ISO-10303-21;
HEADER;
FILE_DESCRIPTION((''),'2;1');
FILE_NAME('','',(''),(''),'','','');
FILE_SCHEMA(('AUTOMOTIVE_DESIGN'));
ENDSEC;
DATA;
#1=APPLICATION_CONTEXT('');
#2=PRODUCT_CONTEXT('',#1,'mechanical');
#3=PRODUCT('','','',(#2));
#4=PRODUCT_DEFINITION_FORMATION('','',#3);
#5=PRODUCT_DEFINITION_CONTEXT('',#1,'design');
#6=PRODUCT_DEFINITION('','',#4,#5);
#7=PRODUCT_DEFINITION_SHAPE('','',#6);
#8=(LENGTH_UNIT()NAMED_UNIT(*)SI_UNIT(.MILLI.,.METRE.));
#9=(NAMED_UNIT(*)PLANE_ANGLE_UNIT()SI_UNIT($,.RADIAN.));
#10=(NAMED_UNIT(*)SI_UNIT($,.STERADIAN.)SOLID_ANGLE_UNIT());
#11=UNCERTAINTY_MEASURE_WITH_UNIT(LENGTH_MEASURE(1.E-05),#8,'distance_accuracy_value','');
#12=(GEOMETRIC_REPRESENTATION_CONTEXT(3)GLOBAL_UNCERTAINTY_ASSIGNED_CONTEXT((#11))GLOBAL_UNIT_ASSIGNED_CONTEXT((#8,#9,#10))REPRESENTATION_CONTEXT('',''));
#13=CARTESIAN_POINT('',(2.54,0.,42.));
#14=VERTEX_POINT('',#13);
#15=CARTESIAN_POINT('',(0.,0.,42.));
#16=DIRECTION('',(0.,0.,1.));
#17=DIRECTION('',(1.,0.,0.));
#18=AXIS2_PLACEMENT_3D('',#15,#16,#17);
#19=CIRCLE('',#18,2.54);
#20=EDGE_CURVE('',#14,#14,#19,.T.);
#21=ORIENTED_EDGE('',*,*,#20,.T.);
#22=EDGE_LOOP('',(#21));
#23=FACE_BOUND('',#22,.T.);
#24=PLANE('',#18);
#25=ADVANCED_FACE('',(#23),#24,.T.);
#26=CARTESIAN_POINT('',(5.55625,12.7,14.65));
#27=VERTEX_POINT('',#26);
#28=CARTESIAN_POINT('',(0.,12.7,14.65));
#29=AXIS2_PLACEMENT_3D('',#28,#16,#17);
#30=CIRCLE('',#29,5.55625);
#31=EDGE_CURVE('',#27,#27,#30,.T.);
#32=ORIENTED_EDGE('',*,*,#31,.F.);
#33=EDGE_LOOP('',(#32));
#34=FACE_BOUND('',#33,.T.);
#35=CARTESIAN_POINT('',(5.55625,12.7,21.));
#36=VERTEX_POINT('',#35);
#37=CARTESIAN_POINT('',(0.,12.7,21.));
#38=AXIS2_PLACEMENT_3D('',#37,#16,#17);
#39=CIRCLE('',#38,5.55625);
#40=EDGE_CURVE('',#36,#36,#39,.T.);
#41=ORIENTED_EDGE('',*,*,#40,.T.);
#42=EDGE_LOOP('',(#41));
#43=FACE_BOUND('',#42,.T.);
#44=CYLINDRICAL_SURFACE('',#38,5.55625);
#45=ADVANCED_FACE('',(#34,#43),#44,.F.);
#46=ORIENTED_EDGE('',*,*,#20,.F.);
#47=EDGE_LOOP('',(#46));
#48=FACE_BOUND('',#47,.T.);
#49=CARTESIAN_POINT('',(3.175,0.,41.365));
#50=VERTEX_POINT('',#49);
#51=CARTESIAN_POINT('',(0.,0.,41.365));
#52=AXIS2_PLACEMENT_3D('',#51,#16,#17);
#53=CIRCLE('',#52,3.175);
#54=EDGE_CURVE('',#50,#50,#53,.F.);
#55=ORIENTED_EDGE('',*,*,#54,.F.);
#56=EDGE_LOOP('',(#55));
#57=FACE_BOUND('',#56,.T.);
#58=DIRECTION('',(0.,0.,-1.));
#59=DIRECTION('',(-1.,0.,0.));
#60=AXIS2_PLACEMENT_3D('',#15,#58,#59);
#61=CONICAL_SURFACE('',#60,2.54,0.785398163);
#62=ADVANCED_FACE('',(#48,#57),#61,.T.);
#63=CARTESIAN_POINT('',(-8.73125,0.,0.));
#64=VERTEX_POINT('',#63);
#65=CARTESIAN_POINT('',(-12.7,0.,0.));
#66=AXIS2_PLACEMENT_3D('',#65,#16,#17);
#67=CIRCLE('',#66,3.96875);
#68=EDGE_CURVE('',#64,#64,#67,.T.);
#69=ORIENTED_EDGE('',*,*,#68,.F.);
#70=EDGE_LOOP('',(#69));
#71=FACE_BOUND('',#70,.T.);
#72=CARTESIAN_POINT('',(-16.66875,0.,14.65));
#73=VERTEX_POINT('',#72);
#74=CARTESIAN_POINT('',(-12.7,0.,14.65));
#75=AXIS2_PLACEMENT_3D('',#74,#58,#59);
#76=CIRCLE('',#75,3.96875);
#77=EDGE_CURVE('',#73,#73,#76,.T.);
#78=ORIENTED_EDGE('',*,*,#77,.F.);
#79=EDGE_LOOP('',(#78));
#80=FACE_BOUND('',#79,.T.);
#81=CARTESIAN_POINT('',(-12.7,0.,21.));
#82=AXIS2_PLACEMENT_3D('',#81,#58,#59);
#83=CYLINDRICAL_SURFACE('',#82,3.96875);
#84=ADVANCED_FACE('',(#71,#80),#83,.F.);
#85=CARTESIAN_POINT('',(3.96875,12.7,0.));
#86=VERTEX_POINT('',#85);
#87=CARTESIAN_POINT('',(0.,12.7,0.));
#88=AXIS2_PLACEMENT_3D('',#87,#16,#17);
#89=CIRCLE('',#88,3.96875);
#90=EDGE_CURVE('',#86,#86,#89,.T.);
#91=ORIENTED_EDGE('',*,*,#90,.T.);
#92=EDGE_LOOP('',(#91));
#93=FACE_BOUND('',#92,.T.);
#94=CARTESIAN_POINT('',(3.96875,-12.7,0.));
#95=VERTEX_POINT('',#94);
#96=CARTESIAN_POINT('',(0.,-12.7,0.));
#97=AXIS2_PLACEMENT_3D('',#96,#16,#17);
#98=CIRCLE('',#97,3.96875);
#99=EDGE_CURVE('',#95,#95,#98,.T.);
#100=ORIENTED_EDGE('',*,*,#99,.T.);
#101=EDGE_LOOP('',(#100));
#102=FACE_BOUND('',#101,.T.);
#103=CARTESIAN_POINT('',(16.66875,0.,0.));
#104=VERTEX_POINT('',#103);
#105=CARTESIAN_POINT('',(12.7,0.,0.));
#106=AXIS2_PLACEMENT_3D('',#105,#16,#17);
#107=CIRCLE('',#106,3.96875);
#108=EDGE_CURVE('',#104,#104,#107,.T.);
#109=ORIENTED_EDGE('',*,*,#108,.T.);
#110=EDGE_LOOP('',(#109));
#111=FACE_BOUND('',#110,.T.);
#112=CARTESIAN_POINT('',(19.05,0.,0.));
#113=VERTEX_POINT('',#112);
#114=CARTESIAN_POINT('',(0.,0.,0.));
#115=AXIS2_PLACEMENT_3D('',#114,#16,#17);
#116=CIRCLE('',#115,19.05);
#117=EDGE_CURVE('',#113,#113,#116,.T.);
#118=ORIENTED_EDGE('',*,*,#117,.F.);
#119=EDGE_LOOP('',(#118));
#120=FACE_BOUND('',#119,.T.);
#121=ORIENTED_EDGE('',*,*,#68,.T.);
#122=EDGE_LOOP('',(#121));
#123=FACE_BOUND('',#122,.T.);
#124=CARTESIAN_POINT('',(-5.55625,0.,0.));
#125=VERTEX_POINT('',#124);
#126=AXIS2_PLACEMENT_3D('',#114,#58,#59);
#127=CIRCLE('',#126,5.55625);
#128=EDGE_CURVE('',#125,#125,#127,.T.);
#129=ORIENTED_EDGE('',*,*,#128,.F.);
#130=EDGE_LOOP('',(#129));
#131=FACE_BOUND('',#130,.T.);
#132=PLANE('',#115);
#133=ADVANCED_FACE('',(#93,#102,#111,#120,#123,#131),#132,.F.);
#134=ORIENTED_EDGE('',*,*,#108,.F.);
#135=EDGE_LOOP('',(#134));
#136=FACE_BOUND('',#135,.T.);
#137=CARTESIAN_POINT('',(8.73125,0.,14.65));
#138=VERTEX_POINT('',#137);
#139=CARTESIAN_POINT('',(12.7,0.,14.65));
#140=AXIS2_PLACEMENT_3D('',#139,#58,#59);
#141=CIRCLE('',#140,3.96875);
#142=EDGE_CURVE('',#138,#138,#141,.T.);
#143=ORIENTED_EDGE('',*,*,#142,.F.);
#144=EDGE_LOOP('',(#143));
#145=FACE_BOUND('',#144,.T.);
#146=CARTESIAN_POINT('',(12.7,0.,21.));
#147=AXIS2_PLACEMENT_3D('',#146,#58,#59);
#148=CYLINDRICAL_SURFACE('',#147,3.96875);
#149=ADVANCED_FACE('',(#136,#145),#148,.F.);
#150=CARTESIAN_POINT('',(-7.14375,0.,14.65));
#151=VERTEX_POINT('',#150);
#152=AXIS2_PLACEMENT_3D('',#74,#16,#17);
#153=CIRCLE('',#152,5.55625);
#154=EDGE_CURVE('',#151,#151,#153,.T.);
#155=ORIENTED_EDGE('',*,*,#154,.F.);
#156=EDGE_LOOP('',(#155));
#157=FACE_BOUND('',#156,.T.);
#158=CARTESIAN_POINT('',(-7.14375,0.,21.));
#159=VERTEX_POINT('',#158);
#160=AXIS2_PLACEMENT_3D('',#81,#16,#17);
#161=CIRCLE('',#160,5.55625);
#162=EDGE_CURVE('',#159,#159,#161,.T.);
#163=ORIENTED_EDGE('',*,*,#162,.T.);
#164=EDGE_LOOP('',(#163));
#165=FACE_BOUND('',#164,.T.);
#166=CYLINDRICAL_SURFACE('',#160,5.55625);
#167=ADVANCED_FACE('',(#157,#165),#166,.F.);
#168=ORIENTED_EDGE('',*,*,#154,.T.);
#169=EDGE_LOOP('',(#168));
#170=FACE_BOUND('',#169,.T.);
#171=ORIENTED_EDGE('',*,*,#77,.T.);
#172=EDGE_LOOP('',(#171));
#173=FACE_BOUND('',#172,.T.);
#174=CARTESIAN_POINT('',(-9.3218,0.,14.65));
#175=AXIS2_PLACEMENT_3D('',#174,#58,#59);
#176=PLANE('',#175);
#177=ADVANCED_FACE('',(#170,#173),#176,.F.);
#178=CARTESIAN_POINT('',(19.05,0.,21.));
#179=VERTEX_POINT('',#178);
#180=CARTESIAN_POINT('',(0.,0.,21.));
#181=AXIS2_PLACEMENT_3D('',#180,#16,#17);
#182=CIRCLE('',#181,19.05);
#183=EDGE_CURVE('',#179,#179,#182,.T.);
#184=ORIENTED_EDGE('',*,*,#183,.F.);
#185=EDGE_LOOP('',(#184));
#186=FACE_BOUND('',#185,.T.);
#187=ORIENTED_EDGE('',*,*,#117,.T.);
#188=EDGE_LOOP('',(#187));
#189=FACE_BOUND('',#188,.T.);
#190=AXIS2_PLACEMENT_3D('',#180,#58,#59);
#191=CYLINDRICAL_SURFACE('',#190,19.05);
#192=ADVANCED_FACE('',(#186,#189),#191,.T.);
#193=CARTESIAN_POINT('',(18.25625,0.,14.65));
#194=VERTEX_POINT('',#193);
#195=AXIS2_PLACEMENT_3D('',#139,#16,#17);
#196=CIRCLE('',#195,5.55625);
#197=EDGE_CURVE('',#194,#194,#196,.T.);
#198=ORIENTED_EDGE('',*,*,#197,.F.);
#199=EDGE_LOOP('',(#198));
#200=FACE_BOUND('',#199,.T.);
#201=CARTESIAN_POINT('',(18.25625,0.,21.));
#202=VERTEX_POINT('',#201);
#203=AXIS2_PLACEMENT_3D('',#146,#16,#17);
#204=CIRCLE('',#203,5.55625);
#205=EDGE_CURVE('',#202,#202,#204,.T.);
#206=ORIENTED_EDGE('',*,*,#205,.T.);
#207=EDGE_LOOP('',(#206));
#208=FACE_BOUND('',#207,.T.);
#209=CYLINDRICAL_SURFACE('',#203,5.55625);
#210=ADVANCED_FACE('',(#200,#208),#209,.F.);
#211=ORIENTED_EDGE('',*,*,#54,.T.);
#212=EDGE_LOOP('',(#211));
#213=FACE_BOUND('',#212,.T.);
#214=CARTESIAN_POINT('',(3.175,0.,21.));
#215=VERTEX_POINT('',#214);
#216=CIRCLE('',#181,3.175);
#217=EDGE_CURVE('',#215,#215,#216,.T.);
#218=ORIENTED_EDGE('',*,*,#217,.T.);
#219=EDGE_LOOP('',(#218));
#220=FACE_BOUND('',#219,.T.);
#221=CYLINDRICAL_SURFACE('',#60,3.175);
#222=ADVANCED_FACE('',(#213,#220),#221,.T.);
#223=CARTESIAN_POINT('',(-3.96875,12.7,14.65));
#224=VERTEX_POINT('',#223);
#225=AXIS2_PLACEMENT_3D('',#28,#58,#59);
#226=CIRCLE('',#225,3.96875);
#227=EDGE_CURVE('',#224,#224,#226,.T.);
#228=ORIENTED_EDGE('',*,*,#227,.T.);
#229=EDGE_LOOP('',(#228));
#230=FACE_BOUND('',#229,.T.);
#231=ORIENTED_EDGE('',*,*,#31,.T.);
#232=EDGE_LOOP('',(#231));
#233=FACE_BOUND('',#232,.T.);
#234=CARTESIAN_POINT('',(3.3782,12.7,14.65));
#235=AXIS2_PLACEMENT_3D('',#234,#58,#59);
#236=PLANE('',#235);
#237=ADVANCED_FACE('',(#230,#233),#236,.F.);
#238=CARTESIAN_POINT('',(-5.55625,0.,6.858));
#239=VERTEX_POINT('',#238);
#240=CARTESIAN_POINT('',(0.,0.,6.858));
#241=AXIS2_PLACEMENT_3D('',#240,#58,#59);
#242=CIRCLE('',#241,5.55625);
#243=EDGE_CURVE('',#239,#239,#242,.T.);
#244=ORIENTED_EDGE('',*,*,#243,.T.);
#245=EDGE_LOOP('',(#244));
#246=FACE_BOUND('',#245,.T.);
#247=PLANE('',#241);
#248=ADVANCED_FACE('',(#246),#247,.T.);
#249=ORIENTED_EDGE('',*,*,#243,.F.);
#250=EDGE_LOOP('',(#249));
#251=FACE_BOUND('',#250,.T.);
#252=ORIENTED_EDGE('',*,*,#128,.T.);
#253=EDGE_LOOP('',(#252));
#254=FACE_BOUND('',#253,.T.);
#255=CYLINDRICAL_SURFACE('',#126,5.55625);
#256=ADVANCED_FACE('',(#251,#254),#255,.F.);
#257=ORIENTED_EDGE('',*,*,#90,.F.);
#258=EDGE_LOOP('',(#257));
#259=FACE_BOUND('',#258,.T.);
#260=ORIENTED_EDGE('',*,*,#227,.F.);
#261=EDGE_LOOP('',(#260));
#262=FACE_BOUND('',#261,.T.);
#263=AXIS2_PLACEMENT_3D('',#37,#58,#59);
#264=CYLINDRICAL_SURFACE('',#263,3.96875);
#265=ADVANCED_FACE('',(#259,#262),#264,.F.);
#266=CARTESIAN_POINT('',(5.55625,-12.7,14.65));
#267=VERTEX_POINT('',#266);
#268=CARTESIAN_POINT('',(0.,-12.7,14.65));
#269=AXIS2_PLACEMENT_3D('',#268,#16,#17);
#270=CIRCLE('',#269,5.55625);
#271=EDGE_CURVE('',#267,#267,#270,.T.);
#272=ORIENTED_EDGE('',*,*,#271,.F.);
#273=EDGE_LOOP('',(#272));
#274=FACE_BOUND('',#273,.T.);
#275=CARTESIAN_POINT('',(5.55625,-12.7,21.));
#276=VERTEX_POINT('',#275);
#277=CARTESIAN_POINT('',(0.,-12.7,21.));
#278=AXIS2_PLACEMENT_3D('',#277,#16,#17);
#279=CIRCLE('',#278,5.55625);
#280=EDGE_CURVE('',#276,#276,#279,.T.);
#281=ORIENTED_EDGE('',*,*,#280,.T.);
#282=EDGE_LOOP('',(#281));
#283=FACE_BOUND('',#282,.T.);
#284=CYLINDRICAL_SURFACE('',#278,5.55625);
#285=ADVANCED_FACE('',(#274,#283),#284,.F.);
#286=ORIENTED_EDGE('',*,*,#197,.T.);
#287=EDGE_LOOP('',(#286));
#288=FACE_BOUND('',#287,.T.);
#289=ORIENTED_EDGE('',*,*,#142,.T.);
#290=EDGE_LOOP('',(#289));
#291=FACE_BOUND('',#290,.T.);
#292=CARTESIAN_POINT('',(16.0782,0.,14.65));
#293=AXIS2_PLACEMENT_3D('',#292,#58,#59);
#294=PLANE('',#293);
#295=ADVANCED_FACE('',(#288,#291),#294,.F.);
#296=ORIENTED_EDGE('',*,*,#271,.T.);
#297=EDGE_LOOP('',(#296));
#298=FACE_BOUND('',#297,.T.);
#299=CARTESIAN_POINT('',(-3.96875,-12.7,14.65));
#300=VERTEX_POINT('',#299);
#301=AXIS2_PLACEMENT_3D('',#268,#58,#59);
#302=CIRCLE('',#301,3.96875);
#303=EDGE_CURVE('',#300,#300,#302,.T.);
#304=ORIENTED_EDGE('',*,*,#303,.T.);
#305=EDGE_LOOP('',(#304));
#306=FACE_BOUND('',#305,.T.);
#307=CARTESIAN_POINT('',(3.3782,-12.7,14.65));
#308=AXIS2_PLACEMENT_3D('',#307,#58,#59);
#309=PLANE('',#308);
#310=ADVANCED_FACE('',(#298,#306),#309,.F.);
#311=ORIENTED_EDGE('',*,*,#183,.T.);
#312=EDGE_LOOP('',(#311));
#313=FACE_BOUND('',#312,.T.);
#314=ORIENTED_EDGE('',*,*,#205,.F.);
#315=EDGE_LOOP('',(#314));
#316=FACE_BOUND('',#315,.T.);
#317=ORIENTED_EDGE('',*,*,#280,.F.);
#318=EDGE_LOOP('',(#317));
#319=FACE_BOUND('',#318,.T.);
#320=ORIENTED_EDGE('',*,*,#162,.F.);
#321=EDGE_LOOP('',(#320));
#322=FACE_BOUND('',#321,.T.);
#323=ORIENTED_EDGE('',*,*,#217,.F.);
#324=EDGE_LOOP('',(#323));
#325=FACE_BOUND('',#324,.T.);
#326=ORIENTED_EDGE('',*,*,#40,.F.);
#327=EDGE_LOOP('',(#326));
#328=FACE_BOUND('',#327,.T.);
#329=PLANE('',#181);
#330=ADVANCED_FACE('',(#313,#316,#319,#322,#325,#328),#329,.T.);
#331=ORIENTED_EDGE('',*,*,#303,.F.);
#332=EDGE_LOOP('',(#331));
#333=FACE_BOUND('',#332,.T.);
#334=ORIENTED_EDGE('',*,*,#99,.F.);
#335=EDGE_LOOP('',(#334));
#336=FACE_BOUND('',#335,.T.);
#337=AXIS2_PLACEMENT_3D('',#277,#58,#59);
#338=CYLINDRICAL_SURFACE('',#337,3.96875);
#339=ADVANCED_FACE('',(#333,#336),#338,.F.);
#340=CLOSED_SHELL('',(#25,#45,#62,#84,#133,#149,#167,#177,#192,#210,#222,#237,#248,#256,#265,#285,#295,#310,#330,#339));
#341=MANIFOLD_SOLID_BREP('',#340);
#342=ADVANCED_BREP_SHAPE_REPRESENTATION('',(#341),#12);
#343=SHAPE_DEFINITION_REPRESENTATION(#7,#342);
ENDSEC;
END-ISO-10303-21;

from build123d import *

# Parameters (mm, degrees)
SKETCH1_R                                        = 19.05
SKETCH1_R_2                                      = 5
SKETCH1_R_3                                      = 3.96875
BOSS_EXTRUDE1_DEPTH                              = 21
BOSS_EXTRUDE2_START                              = -14.142
SKETCH3_R                                        = 5
BOSS_EXTRUDE2_DEPTH                              = 14.142
SKETCH4_R                                        = 3.175
BOSS_EXTRUDE3_DEPTH                              = 21
CHAMFER1_SIZE                                    = 0.635
CBORE_FOR_1_4_SOCKET_HEAD_CAP_SCREW1_D           = 6.7564
CBORE_FOR_1_4_SOCKET_HEAD_CAP_SCREW1_CBORE_D     = 11.1125
CBORE_FOR_1_4_SOCKET_HEAD_CAP_SCREW1_CBORE_DEPTH = 6.35


with BuildPart() as part:
    # Sketch1 → Boss-Extrude1 (new body)
    with BuildSketch(Plane.XY):
        Circle(SKETCH1_R)
        Circle(SKETCH1_R_2, mode=Mode.SUBTRACT)
        with Locations((0, 12.7)):
            Circle(SKETCH1_R_3, mode=Mode.SUBTRACT)
        with Locations((12.7, 0)):
            Circle(SKETCH1_R_3, mode=Mode.SUBTRACT)
        with Locations((0, -12.7)):
            Circle(SKETCH1_R_3, mode=Mode.SUBTRACT)
        with Locations((-12.7, 0)):
            Circle(SKETCH1_R_3, mode=Mode.SUBTRACT)
    extrude(amount=BOSS_EXTRUDE1_DEPTH)

    # Sketch3 → Boss-Extrude2 (add)
    with BuildSketch(Plane(origin=(0, 0, 6.858), x_dir=(-1, 0, 0), z_dir=(0, 0, -1)).offset(BOSS_EXTRUDE2_START)):
        Circle(SKETCH3_R)
    extrude(amount=BOSS_EXTRUDE2_DEPTH)

    # Sketch4 → Boss-Extrude3 (add)
    with BuildSketch(Plane.XY.offset(21)):
        Circle(SKETCH4_R)
    extrude(amount=BOSS_EXTRUDE3_DEPTH)

    # Chamfer1
    chamfer1_edges = [part.edges().sort_by_distance(p)[0] for p in [
        (-3.175, 0, 42),
    ]]
    chamfer(chamfer1_edges, length=CHAMFER1_SIZE)

    # CBORE for 1/4 Socket Head Cap Screw1 (through all)
    with Locations(Plane.XY.offset(21)):
        with Locations((0, 12.7), (12.7, 0), (0, -12.7), (-12.7, 0)):
            CounterBoreHole(CBORE_FOR_1_4_SOCKET_HEAD_CAP_SCREW1_D / 2, CBORE_FOR_1_4_SOCKET_HEAD_CAP_SCREW1_CBORE_D / 2, CBORE_FOR_1_4_SOCKET_HEAD_CAP_SCREW1_CBORE_DEPTH)

    # Sketch7 → CBORE for 1/4 Socket Head Cap Screw2 (revolve, cut)
    with BuildSketch(Plane.YZ):
        Polygon((0, 0), (0, 2.055227343), (3.3782, 0.0254), (3.3782, 6.858), (5.55625, 6.858), (5.55625, 0), align=None)
    revolve(axis=Axis((0, 0, -6.35), (0, 0, 1)), mode=Mode.SUBTRACT)


solid = part.part
